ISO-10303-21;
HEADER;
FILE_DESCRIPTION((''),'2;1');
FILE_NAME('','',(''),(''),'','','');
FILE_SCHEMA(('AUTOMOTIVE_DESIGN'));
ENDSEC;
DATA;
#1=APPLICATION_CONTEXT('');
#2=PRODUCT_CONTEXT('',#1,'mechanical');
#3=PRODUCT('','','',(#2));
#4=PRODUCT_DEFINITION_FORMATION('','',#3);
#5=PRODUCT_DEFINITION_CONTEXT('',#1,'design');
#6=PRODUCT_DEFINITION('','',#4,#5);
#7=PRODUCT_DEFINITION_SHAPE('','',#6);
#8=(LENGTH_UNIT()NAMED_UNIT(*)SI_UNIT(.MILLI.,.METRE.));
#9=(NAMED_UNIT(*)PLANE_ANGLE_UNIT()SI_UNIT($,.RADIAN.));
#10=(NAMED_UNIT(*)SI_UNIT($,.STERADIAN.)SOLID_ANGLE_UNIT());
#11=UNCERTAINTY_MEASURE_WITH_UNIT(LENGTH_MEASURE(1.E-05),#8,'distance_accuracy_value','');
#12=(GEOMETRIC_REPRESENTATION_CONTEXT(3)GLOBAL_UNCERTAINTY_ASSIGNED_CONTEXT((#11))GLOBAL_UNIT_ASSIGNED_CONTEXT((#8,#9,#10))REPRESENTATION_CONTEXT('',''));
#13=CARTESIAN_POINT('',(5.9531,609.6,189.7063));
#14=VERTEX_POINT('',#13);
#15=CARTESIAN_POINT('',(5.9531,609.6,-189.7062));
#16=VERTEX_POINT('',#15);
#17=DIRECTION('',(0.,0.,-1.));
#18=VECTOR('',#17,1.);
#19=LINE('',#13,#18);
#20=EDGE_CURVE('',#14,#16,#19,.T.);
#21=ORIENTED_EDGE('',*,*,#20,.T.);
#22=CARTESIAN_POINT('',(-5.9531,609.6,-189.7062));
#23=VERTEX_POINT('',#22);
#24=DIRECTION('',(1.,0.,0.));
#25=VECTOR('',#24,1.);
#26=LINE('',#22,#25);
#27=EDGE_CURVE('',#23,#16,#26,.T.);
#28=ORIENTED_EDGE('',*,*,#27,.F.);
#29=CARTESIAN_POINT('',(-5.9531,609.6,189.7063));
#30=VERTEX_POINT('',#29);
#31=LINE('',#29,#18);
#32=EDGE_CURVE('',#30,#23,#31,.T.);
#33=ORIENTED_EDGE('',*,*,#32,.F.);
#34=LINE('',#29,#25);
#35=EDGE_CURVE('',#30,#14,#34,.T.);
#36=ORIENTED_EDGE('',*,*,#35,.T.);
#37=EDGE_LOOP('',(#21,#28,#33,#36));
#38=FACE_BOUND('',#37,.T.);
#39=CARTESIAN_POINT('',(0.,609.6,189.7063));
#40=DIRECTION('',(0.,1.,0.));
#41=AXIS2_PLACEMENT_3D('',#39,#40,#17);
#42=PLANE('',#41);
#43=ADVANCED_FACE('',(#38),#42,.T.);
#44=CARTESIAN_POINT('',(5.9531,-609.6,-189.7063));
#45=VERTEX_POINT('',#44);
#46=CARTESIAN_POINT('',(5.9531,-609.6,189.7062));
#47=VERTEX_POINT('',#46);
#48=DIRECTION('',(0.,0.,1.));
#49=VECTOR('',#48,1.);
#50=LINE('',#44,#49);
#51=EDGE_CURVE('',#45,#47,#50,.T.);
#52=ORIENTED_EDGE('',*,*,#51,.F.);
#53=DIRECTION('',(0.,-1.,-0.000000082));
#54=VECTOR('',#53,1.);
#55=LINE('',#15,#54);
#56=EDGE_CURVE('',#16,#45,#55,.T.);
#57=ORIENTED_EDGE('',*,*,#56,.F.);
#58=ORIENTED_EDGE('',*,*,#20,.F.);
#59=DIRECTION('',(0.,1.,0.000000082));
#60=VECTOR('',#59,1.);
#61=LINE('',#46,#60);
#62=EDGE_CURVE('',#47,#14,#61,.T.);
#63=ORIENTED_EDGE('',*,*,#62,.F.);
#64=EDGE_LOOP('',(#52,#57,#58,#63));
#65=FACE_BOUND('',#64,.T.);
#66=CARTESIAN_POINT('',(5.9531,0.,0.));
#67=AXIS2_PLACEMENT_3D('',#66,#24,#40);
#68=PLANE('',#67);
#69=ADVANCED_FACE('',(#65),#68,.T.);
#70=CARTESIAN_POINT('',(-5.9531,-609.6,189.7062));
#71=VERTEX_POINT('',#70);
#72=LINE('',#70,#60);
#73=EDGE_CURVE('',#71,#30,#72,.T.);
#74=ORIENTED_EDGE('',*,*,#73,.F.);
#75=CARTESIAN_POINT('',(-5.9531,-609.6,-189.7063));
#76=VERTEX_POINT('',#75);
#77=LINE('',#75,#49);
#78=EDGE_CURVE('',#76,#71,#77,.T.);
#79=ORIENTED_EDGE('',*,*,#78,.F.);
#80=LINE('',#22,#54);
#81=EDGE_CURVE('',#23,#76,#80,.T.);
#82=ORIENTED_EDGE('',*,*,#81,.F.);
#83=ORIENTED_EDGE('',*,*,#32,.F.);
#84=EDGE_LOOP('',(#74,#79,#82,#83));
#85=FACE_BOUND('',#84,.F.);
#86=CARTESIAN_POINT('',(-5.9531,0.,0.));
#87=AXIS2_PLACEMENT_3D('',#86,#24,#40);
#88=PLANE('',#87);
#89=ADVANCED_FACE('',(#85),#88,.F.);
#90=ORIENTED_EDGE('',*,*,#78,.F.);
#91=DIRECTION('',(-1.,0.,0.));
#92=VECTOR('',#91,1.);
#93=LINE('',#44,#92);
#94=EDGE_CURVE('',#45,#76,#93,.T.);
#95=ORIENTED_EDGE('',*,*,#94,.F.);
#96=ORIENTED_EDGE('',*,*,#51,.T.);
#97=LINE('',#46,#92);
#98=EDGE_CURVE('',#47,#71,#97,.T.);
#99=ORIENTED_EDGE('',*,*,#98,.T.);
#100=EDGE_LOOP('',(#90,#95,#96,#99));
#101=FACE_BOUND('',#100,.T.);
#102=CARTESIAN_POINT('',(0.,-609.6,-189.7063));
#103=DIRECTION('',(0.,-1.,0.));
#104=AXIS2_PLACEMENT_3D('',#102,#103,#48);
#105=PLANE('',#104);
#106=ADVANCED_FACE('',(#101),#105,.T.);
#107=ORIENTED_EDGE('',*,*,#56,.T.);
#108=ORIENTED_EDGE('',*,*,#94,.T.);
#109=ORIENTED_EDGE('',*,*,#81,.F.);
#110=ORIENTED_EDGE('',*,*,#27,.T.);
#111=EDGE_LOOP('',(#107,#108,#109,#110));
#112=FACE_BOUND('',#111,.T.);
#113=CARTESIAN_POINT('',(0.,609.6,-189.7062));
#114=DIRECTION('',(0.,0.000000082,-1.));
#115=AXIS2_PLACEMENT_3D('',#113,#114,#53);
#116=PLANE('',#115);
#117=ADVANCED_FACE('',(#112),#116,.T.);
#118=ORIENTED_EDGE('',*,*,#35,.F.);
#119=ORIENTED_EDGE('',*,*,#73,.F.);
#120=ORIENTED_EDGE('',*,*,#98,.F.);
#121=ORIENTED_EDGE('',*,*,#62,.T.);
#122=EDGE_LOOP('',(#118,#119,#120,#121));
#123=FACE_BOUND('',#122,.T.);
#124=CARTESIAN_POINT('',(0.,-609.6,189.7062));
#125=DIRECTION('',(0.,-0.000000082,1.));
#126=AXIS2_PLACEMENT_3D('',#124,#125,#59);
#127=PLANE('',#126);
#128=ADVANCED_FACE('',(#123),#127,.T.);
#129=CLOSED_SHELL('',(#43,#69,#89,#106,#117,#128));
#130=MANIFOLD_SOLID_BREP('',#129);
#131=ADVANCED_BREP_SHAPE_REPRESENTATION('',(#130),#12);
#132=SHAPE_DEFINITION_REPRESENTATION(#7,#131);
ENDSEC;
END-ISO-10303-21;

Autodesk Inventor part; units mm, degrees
ref_plane "YZ Plane" through (0, 0, 0) normal (1, 0, 0) x (0, 1, 0)
ref_plane "XZ Plane" through (0, 0, 0) normal (0, 1, 0) x (-1, 0, 0)
ref_plane "XY Plane" through (0, 0, 0) normal (0, 0, 1) x (1, 0, 0)
sketch "Sketch1" plane through (0, 0, 0) normal (1, 0, 0) x (0, 1, 0)
  line L0 (609.6, -189.7062) -> (-609.6, -189.7063)
  line L1 (-609.6, -189.7063) -> (-609.6, 189.7062)
  line L2 (-609.6, 189.7062) -> (609.6, 189.7063)
  line L3 (609.6, 189.7063) -> (609.6, -189.7062)
  line L4 (609.6, -189.7062) -> (-609.6, 189.7062) construction
  line L5 (-609.6, -189.7063) -> (609.6, 189.7063) construction
  point P0 (0, 0)
  dimension "d2" = 1219.2
  dimension "d3" = 379.4125
extrude "Extrusion1" add sketch "Sketch1" along normal mid plane 11.9062
properties part number "LR_Sides"
